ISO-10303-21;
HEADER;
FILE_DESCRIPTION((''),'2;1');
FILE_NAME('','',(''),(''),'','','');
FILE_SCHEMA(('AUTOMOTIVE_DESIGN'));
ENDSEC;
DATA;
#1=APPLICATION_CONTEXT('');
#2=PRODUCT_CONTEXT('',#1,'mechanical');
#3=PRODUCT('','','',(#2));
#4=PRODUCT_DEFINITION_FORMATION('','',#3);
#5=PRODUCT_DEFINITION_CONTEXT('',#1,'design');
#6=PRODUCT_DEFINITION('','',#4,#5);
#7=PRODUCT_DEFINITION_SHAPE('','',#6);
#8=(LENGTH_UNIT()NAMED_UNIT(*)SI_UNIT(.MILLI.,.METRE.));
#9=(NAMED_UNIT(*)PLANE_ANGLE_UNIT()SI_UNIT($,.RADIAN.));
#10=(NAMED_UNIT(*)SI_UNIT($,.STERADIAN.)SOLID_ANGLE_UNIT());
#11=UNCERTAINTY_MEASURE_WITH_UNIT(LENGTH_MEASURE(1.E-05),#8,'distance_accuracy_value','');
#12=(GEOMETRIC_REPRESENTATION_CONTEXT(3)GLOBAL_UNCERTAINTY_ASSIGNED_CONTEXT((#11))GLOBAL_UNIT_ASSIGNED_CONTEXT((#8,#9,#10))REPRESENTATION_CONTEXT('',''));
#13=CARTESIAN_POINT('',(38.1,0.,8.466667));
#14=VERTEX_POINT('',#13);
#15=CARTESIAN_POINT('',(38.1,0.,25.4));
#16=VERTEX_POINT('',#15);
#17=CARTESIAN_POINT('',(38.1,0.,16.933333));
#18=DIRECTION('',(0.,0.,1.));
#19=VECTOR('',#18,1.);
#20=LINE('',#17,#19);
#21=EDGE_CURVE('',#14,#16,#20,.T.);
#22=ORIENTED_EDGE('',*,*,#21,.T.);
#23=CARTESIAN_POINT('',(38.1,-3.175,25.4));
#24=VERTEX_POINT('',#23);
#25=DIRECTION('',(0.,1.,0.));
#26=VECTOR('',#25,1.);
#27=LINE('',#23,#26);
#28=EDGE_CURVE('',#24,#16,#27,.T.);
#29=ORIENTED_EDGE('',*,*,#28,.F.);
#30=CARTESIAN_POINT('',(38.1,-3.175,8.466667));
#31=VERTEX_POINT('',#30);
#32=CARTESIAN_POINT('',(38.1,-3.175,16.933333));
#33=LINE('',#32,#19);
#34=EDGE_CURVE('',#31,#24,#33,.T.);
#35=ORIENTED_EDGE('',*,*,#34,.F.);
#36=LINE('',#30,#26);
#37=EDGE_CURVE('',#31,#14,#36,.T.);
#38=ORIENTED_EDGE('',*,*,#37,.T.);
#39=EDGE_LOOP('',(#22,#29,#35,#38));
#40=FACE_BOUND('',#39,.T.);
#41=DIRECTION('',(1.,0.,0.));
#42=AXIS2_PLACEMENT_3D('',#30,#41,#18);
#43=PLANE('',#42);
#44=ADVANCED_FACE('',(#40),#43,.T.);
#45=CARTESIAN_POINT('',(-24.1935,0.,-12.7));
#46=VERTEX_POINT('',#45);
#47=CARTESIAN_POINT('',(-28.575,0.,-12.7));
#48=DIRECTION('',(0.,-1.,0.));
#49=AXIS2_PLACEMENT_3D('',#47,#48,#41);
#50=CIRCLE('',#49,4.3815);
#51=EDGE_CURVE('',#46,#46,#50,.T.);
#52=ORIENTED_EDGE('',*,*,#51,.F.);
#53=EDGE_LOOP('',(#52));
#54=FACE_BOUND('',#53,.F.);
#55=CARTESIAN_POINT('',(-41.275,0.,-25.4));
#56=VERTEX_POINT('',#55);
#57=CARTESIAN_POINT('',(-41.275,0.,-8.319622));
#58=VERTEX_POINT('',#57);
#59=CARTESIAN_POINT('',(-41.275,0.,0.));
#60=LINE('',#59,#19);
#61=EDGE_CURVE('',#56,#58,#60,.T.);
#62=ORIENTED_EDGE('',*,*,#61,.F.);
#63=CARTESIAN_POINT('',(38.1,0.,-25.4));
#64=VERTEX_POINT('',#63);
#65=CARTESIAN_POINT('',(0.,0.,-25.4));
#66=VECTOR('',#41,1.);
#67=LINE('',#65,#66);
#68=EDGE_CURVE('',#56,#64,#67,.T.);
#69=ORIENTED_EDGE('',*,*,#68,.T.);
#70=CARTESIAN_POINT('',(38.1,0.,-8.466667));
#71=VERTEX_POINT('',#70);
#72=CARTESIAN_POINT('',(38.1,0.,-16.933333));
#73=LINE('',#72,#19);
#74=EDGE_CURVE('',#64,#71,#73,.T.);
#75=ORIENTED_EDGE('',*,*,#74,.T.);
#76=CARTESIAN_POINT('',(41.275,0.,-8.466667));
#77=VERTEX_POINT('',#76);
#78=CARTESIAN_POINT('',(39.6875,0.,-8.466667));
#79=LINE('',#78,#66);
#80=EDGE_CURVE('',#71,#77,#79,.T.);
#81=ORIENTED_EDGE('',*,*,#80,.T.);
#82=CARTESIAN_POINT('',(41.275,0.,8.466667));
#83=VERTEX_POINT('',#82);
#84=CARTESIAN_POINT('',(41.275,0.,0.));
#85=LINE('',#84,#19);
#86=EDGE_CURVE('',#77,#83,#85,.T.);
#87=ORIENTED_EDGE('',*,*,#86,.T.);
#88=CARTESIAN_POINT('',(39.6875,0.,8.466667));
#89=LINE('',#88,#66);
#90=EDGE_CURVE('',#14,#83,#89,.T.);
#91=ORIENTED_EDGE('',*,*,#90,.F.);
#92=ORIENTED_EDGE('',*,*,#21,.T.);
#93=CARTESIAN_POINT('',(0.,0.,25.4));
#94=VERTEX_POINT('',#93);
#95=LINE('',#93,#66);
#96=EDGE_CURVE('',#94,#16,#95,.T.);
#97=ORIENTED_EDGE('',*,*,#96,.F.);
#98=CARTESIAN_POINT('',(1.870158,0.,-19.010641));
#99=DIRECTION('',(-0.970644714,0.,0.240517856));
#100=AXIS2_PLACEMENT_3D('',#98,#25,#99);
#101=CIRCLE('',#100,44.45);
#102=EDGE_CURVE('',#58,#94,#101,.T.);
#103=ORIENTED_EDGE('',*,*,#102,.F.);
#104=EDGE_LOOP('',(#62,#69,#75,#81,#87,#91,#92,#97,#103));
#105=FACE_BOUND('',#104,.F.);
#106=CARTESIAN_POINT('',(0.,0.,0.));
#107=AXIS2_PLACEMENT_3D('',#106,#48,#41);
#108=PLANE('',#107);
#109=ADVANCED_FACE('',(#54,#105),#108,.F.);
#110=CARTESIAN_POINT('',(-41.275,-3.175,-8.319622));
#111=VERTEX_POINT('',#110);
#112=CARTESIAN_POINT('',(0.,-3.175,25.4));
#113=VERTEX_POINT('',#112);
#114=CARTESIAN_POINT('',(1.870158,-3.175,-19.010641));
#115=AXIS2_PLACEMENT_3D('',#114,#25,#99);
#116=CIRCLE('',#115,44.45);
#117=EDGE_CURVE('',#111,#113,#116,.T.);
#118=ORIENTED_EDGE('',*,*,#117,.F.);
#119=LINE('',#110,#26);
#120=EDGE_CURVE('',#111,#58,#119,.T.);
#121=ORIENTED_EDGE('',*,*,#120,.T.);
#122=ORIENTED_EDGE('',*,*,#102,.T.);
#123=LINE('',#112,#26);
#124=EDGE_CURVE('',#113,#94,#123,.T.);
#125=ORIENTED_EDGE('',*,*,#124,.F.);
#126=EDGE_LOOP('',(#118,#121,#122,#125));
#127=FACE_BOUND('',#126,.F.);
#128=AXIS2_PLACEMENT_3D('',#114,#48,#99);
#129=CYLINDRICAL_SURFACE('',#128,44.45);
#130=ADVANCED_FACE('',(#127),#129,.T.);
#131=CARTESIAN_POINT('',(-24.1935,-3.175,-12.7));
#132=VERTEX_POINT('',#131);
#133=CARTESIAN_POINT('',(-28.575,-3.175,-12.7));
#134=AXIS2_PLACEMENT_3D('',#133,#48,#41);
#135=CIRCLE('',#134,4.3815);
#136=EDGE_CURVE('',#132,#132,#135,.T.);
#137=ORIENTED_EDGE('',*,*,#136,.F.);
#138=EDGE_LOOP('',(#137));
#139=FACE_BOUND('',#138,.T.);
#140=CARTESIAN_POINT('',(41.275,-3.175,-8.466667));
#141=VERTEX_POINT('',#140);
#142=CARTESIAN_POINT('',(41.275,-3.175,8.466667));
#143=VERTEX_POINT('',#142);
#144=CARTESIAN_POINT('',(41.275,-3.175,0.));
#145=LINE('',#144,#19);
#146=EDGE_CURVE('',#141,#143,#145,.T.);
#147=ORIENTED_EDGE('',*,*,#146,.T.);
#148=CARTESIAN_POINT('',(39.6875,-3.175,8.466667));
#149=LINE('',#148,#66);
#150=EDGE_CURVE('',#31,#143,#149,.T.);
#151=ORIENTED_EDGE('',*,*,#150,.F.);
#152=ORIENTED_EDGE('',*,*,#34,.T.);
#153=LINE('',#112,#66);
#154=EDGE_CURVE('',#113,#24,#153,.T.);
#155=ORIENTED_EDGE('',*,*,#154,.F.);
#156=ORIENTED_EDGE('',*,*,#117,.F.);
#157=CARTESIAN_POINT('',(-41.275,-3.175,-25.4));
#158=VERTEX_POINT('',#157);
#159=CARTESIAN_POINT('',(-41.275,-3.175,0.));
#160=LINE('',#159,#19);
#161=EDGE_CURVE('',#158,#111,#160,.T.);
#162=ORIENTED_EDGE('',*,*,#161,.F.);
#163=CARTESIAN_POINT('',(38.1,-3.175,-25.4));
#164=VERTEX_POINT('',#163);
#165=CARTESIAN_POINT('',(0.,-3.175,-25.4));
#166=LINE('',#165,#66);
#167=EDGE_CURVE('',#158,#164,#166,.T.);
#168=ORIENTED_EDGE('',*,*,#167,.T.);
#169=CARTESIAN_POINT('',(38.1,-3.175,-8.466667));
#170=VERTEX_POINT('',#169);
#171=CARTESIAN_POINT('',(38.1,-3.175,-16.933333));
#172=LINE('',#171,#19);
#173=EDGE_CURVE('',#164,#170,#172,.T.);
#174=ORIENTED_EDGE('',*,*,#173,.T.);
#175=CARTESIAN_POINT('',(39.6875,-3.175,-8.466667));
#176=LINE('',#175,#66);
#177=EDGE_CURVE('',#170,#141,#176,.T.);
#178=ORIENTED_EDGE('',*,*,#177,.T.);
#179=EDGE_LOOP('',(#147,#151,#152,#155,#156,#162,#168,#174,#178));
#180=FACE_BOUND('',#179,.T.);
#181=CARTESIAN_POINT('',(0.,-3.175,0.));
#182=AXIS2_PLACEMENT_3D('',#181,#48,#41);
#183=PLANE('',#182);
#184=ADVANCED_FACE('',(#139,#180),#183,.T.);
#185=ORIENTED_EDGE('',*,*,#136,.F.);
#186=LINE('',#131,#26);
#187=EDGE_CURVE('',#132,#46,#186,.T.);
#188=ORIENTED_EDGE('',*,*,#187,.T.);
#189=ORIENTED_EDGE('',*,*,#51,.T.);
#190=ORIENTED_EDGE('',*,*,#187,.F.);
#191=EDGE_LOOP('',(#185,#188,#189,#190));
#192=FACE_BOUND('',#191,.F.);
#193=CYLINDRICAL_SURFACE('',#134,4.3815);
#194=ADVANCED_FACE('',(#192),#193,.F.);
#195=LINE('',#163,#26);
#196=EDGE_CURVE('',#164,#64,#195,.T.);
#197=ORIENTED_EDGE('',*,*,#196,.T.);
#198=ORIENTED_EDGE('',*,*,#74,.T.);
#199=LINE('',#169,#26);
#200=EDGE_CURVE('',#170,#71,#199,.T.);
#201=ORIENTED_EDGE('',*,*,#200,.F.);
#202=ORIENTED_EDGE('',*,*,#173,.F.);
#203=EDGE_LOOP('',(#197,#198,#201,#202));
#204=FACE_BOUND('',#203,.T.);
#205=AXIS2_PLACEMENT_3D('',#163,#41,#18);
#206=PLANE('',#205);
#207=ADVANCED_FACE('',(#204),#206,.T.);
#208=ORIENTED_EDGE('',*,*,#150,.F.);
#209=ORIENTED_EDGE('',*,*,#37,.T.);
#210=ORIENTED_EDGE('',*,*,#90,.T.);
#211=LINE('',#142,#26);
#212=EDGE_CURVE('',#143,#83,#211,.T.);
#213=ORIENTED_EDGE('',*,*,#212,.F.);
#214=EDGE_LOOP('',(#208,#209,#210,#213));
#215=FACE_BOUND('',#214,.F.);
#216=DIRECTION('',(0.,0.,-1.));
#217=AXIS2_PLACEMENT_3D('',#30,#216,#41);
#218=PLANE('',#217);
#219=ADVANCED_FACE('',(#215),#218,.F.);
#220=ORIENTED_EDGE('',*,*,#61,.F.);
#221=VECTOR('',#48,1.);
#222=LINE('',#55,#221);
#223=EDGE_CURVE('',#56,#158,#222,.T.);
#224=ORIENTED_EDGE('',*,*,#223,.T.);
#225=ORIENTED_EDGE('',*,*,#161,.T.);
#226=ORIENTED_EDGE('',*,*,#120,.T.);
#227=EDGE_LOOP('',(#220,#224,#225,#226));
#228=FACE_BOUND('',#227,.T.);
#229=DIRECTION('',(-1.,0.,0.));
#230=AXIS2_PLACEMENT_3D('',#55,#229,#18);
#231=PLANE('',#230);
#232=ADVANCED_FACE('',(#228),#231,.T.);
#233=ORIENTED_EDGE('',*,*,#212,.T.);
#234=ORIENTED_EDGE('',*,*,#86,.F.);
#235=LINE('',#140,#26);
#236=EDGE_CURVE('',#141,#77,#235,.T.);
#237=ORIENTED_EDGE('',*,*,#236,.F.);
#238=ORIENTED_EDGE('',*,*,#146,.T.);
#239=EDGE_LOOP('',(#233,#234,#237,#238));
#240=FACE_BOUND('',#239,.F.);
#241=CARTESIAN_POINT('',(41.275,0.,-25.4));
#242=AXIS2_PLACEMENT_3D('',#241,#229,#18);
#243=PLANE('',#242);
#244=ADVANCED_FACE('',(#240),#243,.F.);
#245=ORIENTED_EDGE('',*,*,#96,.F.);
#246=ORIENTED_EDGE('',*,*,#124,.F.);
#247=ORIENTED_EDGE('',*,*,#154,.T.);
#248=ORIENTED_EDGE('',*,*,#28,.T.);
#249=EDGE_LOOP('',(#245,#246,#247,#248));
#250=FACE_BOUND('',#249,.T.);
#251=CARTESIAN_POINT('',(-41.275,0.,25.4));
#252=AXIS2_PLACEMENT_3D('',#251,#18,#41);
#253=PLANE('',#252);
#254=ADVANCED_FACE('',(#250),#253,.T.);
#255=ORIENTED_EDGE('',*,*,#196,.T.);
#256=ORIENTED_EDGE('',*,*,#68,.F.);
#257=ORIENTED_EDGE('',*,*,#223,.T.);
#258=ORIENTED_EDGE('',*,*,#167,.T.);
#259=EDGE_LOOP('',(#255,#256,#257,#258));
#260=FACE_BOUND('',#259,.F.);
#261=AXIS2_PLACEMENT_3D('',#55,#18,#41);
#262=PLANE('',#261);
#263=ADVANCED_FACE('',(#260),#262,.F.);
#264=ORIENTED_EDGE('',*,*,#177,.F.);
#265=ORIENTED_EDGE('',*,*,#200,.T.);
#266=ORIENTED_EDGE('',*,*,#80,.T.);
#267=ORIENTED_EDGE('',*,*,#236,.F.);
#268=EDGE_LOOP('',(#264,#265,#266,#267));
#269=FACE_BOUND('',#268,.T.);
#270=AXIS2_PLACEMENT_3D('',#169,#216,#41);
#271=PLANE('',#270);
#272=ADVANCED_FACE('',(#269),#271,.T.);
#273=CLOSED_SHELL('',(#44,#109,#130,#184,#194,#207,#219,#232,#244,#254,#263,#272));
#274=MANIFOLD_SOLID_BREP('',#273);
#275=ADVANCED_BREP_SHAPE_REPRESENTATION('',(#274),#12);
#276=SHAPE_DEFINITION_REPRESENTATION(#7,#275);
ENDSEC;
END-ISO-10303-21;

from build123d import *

# Parameters (mm, degrees)
F0_W     = 82.55
F0_H     = 50.8
F1_DEPTH = 3.175
F2_R     = 4.3815
F3_DEPTH = 3.175
F5_DEPTH = 3.175
F6_W     = 3.175
F6_H     = 16.9333333333
F7_DEPTH = 3.175


with BuildPart() as f1:
    # F0 (on Front) → F1 (new body)
    with BuildSketch(Plane.XZ):
        Rectangle(F0_W, F0_H)
    extrude(amount=F1_DEPTH)

    # F2 (on face) → F3 (cut)
    with BuildSketch(Plane.XZ.offset(3.175)):
        with Locations((-28.575, -12.7)):
            Circle(F2_R)
    extrude(amount=-F3_DEPTH, mode=Mode.SUBTRACT)

    # F4 (on face) → F5 (cut)
    with BuildSketch(Plane.XZ.offset(3.175)):
        with BuildLine():
            ThreePointArc((-41.275, -8.3196220329), (-26.2518600879, 15.4125291421), (0, 25.4))
            Line((0, 25.4), (-41.275, 25.4))
            Line((-41.275, 25.4), (-41.275, -8.3196220329))
        make_face()
    extrude(amount=-F5_DEPTH, mode=Mode.SUBTRACT)

    # F6 (on face) → F7 (cut)
    with BuildSketch(Plane.XZ.offset(3.175)):
        with Locations((39.6875, 16.9333333333)):
            Rectangle(F6_W, F6_H)
        with Locations((39.6875, -16.9333333333)):
            Rectangle(F6_W, F6_H)
    extrude(amount=-F7_DEPTH, mode=Mode.SUBTRACT)


solid = f1.part
